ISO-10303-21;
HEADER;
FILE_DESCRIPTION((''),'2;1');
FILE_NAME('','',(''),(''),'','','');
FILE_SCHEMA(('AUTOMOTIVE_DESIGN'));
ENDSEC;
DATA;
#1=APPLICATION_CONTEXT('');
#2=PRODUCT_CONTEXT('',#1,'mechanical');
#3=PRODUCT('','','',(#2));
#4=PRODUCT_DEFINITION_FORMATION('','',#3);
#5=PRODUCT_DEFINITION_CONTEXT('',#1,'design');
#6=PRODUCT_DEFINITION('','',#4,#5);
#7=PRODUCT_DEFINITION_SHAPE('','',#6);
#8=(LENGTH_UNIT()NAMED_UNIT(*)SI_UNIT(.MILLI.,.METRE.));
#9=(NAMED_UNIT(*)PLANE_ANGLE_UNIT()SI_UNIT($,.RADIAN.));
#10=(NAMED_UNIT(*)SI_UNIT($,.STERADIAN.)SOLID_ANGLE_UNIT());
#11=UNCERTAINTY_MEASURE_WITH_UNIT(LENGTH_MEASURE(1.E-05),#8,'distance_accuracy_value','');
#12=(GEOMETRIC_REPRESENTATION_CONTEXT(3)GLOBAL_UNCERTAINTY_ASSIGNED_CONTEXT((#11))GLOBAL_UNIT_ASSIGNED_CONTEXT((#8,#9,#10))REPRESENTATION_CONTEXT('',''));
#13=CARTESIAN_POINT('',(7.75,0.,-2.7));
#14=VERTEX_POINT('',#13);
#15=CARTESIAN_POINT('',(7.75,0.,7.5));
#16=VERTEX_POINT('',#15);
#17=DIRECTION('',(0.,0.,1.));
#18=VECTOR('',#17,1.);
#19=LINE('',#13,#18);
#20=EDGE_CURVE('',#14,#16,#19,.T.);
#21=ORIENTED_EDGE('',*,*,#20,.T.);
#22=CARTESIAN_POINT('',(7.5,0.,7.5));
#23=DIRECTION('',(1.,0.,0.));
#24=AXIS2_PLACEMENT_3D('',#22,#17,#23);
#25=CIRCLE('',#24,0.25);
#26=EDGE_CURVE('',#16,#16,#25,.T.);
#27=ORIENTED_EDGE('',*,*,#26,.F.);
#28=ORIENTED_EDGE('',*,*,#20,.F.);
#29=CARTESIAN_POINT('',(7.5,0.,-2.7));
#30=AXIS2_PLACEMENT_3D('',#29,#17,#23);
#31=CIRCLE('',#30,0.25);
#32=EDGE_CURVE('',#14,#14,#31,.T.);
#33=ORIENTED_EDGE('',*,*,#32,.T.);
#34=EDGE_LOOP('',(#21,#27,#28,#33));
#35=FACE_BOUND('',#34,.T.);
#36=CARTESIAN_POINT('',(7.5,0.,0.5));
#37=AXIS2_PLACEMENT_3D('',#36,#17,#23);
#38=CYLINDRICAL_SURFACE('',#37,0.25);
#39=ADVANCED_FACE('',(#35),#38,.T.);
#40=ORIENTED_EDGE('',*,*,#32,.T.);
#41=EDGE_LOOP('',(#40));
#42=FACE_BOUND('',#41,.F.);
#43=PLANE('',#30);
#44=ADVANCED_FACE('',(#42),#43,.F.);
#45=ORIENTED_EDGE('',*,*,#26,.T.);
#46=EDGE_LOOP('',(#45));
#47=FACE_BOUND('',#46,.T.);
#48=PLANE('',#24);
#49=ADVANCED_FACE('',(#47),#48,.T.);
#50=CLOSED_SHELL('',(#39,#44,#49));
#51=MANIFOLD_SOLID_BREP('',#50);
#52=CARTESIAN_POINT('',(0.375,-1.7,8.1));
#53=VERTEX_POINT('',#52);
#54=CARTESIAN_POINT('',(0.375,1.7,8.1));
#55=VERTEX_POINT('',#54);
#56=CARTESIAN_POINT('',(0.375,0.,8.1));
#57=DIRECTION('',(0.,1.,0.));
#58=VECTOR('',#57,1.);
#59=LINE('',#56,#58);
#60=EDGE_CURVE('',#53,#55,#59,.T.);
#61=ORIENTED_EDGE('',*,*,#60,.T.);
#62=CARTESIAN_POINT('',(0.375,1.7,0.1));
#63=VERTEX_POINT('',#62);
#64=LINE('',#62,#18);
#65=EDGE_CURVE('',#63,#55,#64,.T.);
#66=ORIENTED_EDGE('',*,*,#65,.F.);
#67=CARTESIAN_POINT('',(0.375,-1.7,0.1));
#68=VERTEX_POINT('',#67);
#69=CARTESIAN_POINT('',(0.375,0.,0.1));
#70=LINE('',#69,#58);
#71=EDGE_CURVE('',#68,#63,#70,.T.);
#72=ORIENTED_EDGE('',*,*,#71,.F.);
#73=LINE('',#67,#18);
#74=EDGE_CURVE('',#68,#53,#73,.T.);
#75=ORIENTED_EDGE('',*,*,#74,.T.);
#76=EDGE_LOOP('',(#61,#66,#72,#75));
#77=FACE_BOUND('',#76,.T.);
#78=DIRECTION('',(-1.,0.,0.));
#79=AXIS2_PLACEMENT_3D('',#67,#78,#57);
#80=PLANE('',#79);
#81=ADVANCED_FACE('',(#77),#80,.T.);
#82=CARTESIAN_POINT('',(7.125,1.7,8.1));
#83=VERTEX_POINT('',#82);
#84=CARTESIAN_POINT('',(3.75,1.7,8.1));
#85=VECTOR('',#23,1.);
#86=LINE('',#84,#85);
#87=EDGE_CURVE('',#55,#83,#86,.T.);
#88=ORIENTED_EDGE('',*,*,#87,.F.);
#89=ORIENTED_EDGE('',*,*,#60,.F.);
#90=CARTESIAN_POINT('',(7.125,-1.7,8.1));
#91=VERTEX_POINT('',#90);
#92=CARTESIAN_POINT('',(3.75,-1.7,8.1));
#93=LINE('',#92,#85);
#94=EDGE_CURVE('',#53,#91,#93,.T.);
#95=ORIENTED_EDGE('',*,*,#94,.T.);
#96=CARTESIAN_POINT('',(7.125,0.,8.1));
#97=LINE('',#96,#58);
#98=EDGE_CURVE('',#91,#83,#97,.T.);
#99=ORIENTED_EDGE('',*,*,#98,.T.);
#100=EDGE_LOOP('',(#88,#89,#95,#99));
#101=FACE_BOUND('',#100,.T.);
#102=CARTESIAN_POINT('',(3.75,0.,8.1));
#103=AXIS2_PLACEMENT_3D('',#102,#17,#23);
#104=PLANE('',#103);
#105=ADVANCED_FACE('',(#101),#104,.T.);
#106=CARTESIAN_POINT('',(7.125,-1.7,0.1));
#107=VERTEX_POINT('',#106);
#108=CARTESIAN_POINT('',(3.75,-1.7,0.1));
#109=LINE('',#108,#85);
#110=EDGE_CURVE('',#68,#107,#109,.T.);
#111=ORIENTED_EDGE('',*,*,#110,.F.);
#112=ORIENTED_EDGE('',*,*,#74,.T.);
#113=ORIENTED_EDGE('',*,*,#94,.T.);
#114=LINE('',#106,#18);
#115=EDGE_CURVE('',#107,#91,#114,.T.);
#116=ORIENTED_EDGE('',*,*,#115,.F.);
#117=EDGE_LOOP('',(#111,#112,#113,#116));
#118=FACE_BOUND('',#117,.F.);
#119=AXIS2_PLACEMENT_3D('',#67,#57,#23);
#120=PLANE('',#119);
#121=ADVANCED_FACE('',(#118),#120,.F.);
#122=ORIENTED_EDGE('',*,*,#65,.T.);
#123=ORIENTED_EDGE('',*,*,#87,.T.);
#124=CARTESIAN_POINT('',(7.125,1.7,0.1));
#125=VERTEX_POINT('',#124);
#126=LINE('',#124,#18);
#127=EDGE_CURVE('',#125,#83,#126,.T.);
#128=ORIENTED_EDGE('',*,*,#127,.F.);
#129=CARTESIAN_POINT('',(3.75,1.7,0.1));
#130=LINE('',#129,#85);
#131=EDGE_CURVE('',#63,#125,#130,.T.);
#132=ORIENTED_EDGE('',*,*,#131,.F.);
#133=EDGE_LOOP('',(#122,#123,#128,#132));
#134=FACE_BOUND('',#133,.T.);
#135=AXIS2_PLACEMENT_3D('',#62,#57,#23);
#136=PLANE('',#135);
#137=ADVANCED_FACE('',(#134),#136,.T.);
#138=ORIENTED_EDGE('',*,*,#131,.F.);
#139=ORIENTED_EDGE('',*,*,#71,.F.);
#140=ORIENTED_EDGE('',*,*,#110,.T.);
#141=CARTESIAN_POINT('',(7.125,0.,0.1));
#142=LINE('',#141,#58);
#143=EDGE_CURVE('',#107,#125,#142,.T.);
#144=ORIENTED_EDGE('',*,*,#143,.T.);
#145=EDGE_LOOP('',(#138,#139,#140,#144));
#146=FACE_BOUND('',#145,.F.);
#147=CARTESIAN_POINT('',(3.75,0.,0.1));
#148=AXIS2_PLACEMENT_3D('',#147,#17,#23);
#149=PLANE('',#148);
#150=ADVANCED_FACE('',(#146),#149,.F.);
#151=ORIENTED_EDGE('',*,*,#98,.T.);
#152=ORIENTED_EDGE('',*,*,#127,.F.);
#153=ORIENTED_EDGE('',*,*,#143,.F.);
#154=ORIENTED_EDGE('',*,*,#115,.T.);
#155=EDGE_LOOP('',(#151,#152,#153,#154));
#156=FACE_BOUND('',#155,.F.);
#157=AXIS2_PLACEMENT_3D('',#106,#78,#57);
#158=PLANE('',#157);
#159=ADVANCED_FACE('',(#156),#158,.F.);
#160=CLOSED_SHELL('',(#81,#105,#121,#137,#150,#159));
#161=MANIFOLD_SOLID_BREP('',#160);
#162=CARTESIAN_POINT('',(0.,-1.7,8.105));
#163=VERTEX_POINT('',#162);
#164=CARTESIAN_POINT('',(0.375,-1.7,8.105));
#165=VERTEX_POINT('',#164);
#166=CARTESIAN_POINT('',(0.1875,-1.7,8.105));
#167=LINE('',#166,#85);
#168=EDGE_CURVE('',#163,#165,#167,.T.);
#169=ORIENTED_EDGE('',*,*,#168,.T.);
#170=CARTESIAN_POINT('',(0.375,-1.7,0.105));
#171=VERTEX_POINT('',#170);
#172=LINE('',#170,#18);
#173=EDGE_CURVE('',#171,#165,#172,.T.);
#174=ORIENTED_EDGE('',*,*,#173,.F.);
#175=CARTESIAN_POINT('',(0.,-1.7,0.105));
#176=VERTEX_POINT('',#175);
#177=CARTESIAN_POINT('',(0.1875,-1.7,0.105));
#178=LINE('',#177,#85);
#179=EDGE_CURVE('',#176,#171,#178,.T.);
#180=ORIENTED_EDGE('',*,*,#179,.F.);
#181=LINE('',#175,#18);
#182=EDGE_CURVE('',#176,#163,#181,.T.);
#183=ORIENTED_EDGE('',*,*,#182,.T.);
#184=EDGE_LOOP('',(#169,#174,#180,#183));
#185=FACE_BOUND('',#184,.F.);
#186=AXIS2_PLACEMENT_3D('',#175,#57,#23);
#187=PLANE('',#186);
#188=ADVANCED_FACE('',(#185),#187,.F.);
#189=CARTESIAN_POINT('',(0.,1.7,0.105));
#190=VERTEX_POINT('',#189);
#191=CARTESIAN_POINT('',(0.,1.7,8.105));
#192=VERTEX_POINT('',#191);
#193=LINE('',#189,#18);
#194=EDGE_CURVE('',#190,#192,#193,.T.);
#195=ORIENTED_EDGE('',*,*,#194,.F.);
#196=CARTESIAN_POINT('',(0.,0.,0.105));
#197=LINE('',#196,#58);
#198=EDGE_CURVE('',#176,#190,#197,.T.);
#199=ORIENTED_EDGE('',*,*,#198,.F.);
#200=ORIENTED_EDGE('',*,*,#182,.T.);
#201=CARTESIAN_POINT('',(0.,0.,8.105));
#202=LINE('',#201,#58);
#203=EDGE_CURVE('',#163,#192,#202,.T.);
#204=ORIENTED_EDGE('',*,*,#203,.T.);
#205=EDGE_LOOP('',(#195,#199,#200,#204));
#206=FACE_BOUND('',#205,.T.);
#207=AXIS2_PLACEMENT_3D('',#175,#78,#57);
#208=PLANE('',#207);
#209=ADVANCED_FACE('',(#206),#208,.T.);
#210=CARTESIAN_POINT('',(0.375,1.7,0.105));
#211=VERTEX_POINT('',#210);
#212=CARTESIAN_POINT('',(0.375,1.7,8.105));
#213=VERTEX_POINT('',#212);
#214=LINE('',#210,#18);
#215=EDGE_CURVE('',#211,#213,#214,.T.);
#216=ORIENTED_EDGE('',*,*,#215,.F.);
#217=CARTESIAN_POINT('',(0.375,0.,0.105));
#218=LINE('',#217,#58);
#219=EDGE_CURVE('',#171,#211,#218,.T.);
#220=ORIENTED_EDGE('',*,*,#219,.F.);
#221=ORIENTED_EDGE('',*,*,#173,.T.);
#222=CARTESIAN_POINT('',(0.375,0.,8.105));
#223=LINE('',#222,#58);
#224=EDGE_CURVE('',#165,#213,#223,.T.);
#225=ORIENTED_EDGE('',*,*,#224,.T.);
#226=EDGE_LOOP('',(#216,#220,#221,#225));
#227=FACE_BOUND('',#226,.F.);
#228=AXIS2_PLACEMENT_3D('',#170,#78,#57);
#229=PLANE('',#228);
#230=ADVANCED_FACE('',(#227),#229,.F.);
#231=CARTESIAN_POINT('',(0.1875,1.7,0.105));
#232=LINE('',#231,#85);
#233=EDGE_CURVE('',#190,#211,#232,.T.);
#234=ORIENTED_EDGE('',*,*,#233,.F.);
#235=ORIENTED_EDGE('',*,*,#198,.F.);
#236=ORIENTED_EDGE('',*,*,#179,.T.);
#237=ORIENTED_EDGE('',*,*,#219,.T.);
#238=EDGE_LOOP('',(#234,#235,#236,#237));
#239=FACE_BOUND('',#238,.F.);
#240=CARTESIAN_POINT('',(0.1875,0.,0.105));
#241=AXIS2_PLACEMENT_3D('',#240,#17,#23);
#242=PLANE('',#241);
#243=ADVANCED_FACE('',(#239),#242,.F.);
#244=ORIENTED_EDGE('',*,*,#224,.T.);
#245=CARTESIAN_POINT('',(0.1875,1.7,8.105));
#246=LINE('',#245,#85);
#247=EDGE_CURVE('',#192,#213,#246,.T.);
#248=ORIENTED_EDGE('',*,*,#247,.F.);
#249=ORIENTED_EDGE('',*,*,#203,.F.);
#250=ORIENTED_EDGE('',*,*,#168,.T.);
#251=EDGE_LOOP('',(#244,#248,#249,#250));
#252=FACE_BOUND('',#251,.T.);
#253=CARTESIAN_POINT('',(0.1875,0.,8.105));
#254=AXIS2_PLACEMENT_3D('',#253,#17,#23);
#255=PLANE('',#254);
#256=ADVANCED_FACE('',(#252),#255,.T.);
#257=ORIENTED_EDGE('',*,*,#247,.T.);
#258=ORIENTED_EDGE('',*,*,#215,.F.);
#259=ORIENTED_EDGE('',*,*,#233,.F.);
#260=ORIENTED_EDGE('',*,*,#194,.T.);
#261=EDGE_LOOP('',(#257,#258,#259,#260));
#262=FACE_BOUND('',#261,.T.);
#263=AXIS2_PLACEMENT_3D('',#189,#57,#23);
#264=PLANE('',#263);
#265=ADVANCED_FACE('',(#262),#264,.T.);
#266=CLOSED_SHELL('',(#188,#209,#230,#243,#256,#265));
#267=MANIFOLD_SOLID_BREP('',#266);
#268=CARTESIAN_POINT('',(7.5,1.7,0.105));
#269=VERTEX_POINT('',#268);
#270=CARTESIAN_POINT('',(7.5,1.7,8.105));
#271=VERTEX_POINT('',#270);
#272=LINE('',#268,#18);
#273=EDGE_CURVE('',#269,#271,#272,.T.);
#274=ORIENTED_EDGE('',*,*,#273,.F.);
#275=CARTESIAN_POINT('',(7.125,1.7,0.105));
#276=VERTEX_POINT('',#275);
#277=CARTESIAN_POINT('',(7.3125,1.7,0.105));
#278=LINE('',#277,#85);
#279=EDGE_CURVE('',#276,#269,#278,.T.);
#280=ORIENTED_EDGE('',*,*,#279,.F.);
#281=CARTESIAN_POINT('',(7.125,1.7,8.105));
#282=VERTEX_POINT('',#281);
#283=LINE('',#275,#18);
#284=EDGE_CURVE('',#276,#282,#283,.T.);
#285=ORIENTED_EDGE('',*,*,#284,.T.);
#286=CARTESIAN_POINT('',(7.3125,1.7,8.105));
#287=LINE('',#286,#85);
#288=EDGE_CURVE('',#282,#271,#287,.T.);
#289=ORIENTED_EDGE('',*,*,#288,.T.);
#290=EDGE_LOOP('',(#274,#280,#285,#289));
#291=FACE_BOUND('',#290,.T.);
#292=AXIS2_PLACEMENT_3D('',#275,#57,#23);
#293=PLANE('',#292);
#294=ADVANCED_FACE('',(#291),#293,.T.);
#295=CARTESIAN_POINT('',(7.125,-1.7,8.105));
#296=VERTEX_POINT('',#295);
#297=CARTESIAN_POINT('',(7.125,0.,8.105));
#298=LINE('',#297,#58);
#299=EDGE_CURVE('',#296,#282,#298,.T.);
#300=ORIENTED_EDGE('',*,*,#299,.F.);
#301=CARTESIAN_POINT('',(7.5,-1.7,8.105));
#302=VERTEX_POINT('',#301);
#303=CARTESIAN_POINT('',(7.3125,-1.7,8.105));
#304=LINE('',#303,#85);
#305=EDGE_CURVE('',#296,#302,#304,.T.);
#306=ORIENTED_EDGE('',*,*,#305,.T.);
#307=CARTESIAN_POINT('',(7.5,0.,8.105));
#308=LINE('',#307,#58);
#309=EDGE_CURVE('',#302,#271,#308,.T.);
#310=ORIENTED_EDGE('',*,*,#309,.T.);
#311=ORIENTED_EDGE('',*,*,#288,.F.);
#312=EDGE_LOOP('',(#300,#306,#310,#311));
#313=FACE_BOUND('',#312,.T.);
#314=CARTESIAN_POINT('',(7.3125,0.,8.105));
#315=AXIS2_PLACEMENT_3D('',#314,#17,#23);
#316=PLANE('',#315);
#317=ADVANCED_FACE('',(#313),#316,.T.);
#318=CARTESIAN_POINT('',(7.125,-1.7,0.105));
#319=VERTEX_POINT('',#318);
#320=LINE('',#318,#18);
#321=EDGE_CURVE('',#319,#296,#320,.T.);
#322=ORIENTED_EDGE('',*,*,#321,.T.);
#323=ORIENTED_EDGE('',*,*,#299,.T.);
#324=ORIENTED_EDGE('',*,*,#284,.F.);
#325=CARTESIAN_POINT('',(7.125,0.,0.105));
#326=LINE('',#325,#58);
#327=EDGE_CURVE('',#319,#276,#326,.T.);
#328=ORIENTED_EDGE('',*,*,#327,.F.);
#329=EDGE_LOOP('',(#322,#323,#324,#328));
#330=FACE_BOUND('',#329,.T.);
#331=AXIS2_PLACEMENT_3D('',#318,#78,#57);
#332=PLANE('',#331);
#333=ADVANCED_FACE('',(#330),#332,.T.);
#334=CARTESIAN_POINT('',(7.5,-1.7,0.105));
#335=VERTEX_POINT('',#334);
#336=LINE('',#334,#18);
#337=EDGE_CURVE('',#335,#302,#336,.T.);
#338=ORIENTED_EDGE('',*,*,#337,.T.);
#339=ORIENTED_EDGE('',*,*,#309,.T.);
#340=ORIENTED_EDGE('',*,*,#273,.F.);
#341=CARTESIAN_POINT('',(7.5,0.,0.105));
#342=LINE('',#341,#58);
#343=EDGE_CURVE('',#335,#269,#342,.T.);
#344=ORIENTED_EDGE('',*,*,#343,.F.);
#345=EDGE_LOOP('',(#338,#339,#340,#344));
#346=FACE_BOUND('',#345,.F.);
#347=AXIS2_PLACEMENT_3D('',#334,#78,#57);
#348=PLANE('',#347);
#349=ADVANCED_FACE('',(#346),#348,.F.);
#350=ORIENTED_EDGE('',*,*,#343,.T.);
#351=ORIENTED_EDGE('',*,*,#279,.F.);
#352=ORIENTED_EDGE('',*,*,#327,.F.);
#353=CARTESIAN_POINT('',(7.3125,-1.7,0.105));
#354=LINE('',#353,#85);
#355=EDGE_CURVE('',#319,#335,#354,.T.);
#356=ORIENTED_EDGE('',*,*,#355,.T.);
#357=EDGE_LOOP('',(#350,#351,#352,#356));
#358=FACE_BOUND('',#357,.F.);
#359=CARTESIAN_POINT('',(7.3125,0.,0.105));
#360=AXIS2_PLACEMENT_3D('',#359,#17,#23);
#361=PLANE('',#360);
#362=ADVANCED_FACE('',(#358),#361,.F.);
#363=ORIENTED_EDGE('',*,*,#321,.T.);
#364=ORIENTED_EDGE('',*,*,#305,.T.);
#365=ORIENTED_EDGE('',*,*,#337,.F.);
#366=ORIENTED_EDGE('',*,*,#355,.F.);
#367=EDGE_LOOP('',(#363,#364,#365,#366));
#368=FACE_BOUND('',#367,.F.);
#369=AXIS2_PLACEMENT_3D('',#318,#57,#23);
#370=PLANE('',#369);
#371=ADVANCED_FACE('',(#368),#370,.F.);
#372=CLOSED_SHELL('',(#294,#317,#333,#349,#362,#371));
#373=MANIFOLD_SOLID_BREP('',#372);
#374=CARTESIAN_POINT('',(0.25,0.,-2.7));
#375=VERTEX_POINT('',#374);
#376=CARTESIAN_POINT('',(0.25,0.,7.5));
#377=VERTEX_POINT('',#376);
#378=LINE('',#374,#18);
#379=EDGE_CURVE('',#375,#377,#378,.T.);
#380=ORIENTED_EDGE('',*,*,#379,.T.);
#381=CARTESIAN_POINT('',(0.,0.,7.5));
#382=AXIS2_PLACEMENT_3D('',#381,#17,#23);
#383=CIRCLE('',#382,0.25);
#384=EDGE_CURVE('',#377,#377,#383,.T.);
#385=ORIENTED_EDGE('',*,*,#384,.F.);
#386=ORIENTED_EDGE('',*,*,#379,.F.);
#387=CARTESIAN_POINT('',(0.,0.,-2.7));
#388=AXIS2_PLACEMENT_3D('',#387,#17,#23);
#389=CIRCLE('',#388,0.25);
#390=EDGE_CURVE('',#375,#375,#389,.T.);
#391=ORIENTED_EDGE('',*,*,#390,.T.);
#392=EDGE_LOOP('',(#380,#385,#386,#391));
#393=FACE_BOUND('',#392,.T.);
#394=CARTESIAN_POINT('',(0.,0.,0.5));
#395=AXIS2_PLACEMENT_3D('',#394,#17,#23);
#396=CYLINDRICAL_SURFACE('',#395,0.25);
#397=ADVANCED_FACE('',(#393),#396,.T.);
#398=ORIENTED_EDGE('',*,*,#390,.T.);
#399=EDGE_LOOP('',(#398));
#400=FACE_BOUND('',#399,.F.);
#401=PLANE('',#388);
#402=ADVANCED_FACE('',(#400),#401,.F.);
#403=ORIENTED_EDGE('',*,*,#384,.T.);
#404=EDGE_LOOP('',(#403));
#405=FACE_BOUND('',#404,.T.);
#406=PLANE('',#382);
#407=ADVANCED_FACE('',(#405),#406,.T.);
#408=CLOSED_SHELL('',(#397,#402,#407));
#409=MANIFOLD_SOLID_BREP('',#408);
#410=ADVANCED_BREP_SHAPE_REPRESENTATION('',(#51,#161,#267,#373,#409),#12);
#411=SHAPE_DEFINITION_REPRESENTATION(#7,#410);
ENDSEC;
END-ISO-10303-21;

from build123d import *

# Parameters (mm, degrees)
SKETCH_W          = 6.75
SKETCH_H          = 3.4
PAD_DEPTH         = 8
SKETCH001_R       = 0.25
PAD001_DEPTH      = 7
PAD001_DEPTH_BACK = 3.2
SKETCH002_W       = 0.375
SKETCH002_H       = 3.4
PAD002_DEPTH      = 8


with BuildPart() as pad:
    # Sketch → Pad (new body)
    with BuildSketch(Plane.XY.offset(0.1)):
        with Locations((3.75, 0)):
            Rectangle(SKETCH_W, SKETCH_H)
    extrude(amount=PAD_DEPTH)


with BuildPart() as pad001:
    # Sketch001 → Pad001 (new body, two sides)
    with BuildSketch(Plane.XY.offset(0.5)) as pad001_sk:
        Circle(SKETCH001_R)
        with Locations((7.5, 0)):
            Circle(SKETCH001_R)
    extrude(amount=PAD001_DEPTH)
    extrude(pad001_sk.sketch, amount=-PAD001_DEPTH_BACK)


with BuildPart() as pad002:
    # Sketch002 → Pad002 (new body)
    with BuildSketch(Plane.XY.offset(0.105)):
        with Locations((0.1875, 0)):
            Rectangle(SKETCH002_W, SKETCH002_H)
        with Locations((7.3125, 0)):
            Rectangle(SKETCH002_W, SKETCH002_H)
    extrude(amount=PAD002_DEPTH)


solid = Compound([pad.part, pad001.part, pad002.part])
